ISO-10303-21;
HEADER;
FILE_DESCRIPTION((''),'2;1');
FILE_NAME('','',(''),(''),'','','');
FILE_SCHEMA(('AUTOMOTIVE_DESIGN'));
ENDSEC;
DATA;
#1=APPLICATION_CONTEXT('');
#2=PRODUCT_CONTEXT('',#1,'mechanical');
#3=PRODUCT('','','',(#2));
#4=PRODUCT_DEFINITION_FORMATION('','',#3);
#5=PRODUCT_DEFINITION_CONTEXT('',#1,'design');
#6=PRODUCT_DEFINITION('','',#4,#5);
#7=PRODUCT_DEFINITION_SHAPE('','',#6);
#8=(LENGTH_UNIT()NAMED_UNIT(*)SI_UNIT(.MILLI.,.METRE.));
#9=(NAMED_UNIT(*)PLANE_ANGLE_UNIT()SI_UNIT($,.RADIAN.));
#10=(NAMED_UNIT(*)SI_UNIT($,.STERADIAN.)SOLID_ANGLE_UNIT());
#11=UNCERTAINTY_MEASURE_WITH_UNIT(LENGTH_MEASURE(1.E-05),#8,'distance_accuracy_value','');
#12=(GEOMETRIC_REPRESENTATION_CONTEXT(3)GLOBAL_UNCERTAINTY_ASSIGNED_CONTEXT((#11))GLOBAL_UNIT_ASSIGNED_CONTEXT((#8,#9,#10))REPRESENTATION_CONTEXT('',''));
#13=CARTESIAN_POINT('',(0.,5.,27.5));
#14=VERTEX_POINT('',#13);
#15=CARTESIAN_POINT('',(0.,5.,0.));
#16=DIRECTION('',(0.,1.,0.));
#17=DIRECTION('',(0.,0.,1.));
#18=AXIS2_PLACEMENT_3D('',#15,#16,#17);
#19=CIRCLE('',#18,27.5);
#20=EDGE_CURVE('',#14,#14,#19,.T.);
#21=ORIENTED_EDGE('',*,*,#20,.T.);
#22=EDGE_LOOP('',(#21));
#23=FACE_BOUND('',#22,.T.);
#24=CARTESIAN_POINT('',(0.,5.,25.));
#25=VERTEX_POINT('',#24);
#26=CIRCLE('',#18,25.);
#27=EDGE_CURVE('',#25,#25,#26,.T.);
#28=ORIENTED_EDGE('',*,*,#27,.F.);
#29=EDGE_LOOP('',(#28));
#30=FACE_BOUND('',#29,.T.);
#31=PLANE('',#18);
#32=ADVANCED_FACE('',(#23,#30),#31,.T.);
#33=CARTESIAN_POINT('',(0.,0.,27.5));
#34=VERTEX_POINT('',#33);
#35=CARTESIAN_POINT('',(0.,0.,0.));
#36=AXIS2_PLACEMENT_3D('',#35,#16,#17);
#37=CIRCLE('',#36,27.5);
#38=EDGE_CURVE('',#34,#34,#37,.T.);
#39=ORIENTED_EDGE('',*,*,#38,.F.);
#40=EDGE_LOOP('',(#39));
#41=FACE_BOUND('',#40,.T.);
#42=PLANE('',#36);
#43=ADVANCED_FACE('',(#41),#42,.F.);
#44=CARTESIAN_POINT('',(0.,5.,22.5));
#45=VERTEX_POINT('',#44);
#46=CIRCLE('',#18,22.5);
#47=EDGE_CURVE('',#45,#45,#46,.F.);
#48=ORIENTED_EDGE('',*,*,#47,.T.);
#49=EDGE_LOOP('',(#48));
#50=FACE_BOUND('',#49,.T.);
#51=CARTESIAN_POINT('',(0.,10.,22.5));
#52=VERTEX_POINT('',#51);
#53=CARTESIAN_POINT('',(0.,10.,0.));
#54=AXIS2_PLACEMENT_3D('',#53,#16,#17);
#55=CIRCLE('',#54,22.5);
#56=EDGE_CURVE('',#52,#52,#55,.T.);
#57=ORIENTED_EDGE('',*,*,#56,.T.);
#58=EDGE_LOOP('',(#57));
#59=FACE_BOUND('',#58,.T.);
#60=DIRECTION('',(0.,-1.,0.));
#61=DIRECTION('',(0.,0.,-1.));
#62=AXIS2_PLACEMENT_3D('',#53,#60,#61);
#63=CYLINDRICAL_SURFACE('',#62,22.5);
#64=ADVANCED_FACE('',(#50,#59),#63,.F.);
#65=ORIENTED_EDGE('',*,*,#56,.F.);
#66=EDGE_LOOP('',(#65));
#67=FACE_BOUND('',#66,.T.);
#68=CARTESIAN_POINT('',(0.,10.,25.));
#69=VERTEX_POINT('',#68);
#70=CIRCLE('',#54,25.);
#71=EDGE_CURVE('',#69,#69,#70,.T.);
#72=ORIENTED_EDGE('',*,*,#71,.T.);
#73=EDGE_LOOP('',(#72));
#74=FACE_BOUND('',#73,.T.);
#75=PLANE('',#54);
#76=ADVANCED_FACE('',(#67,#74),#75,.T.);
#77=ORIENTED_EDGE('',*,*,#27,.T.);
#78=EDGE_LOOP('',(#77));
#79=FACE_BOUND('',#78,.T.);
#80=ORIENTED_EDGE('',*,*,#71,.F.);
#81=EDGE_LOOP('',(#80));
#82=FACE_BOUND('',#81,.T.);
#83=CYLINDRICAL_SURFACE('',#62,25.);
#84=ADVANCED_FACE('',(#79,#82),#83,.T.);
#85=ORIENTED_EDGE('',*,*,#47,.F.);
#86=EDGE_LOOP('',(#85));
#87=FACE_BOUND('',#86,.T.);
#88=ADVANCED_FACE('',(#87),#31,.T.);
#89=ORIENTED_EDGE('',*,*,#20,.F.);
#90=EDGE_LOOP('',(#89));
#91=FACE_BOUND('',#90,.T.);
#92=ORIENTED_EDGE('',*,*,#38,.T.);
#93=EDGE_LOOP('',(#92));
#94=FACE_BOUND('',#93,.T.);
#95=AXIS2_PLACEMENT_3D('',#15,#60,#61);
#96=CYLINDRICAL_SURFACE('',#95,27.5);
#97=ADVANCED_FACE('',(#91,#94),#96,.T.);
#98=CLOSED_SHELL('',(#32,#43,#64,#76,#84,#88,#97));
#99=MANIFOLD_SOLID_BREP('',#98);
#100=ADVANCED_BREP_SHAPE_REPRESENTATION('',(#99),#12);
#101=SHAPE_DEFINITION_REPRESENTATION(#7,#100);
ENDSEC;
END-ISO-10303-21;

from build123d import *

# Parameters (mm, degrees)
SKETCH1_R           = 27.5
BOSS_EXTRUDE1_DEPTH = 5
SKETCH2_R           = 25
SKETCH2_R_2         = 22.5
BOSS_EXTRUDE2_DEPTH = 5


with BuildPart() as part:
    # Sketch1 → Boss-Extrude1 (new body)
    with BuildSketch(Plane(origin=(0, 0, 0), x_dir=(1, 0, 0), z_dir=(0, 1, 0))):
        with Locations(Location((0, 0, 0), (0, 0, 270))):  # turned: the seam where the file's is
            Circle(SKETCH1_R)
    extrude(amount=BOSS_EXTRUDE1_DEPTH)

    # Sketch2 → Boss-Extrude2 (add)
    with BuildSketch(Plane(origin=(0, 5, 0), x_dir=(1, 0, 0), z_dir=(0, 1, 0))):
        with Locations(Location((0, 0, 0), (0, 0, 270))):  # turned: the seam where the file's is
            Circle(SKETCH2_R)
        with Locations(Location((0, 0, 0), (0, 0, 270))):  # turned: the seam where the file's is
            Circle(SKETCH2_R_2, mode=Mode.SUBTRACT)
    extrude(amount=BOSS_EXTRUDE2_DEPTH)


solid = part.part
